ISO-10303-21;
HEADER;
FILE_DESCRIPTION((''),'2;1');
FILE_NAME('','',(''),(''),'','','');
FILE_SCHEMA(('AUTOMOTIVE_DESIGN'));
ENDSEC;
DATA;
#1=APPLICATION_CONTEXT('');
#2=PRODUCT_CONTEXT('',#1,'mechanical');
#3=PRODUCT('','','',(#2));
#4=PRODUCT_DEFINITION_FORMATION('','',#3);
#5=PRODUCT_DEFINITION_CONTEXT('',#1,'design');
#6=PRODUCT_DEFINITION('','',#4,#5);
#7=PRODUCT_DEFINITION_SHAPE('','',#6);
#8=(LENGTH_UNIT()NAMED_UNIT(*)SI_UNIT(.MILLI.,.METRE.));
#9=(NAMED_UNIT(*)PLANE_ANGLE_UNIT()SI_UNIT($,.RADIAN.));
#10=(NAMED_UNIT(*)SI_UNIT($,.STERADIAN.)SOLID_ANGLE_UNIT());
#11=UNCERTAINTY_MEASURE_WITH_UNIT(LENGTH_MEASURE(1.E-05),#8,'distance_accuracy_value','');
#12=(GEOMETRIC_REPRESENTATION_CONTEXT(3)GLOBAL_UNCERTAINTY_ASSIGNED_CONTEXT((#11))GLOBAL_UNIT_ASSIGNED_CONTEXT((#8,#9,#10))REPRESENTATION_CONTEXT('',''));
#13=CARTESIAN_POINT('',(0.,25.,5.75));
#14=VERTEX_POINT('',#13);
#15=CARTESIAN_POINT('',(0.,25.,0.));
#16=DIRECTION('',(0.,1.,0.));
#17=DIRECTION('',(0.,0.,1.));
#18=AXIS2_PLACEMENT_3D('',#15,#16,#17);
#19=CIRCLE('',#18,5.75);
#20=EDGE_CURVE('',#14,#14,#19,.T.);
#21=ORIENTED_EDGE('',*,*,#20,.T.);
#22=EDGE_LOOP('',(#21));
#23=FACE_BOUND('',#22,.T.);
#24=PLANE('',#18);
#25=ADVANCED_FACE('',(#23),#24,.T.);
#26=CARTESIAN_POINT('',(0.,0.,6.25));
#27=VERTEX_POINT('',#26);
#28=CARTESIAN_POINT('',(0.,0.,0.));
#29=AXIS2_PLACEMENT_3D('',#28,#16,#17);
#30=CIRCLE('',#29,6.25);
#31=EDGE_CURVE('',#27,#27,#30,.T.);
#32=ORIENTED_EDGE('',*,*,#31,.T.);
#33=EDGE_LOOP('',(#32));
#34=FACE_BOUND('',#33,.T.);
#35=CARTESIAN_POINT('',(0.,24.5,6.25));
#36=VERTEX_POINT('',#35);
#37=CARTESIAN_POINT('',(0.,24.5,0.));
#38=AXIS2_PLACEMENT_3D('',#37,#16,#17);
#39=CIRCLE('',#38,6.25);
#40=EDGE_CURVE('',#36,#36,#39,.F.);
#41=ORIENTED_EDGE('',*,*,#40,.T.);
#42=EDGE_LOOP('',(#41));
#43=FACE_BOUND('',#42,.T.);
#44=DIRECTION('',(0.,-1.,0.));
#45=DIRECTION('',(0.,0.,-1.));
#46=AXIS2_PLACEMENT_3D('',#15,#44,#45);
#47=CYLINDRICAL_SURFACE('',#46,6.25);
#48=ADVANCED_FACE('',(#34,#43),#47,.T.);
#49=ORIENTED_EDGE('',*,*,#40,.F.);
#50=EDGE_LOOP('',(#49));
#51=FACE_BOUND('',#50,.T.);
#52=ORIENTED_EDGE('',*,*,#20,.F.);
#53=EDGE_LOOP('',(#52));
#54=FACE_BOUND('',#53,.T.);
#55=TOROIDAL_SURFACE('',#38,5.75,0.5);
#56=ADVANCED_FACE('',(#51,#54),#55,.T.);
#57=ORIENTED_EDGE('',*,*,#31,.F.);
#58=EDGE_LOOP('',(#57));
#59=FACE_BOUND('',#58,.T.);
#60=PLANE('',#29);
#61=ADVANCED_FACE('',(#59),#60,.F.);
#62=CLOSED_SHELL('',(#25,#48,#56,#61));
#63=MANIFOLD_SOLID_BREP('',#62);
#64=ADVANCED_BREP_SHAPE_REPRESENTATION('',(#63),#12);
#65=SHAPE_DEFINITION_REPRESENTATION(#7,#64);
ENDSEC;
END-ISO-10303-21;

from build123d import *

# Parameters (mm, degrees)
SKETCH1_R           = 6.25
BOSS_EXTRUDE1_DEPTH = 25
FILLET1_R           = 0.5


with BuildPart() as part:
    # Sketch1 → Boss-Extrude1 (new body)
    with BuildSketch(Plane(origin=(0, 0, 0), x_dir=(1, 0, 0), z_dir=(0, 1, 0))):
        Circle(SKETCH1_R)
    extrude(amount=BOSS_EXTRUDE1_DEPTH)

    # Fillet1
    fillet1_edges = [part.edges().sort_by_distance(p)[0] for p in [
        (-6.25, 25, 0),
    ]]
    fillet(fillet1_edges, radius=FILLET1_R)


solid = part.part
